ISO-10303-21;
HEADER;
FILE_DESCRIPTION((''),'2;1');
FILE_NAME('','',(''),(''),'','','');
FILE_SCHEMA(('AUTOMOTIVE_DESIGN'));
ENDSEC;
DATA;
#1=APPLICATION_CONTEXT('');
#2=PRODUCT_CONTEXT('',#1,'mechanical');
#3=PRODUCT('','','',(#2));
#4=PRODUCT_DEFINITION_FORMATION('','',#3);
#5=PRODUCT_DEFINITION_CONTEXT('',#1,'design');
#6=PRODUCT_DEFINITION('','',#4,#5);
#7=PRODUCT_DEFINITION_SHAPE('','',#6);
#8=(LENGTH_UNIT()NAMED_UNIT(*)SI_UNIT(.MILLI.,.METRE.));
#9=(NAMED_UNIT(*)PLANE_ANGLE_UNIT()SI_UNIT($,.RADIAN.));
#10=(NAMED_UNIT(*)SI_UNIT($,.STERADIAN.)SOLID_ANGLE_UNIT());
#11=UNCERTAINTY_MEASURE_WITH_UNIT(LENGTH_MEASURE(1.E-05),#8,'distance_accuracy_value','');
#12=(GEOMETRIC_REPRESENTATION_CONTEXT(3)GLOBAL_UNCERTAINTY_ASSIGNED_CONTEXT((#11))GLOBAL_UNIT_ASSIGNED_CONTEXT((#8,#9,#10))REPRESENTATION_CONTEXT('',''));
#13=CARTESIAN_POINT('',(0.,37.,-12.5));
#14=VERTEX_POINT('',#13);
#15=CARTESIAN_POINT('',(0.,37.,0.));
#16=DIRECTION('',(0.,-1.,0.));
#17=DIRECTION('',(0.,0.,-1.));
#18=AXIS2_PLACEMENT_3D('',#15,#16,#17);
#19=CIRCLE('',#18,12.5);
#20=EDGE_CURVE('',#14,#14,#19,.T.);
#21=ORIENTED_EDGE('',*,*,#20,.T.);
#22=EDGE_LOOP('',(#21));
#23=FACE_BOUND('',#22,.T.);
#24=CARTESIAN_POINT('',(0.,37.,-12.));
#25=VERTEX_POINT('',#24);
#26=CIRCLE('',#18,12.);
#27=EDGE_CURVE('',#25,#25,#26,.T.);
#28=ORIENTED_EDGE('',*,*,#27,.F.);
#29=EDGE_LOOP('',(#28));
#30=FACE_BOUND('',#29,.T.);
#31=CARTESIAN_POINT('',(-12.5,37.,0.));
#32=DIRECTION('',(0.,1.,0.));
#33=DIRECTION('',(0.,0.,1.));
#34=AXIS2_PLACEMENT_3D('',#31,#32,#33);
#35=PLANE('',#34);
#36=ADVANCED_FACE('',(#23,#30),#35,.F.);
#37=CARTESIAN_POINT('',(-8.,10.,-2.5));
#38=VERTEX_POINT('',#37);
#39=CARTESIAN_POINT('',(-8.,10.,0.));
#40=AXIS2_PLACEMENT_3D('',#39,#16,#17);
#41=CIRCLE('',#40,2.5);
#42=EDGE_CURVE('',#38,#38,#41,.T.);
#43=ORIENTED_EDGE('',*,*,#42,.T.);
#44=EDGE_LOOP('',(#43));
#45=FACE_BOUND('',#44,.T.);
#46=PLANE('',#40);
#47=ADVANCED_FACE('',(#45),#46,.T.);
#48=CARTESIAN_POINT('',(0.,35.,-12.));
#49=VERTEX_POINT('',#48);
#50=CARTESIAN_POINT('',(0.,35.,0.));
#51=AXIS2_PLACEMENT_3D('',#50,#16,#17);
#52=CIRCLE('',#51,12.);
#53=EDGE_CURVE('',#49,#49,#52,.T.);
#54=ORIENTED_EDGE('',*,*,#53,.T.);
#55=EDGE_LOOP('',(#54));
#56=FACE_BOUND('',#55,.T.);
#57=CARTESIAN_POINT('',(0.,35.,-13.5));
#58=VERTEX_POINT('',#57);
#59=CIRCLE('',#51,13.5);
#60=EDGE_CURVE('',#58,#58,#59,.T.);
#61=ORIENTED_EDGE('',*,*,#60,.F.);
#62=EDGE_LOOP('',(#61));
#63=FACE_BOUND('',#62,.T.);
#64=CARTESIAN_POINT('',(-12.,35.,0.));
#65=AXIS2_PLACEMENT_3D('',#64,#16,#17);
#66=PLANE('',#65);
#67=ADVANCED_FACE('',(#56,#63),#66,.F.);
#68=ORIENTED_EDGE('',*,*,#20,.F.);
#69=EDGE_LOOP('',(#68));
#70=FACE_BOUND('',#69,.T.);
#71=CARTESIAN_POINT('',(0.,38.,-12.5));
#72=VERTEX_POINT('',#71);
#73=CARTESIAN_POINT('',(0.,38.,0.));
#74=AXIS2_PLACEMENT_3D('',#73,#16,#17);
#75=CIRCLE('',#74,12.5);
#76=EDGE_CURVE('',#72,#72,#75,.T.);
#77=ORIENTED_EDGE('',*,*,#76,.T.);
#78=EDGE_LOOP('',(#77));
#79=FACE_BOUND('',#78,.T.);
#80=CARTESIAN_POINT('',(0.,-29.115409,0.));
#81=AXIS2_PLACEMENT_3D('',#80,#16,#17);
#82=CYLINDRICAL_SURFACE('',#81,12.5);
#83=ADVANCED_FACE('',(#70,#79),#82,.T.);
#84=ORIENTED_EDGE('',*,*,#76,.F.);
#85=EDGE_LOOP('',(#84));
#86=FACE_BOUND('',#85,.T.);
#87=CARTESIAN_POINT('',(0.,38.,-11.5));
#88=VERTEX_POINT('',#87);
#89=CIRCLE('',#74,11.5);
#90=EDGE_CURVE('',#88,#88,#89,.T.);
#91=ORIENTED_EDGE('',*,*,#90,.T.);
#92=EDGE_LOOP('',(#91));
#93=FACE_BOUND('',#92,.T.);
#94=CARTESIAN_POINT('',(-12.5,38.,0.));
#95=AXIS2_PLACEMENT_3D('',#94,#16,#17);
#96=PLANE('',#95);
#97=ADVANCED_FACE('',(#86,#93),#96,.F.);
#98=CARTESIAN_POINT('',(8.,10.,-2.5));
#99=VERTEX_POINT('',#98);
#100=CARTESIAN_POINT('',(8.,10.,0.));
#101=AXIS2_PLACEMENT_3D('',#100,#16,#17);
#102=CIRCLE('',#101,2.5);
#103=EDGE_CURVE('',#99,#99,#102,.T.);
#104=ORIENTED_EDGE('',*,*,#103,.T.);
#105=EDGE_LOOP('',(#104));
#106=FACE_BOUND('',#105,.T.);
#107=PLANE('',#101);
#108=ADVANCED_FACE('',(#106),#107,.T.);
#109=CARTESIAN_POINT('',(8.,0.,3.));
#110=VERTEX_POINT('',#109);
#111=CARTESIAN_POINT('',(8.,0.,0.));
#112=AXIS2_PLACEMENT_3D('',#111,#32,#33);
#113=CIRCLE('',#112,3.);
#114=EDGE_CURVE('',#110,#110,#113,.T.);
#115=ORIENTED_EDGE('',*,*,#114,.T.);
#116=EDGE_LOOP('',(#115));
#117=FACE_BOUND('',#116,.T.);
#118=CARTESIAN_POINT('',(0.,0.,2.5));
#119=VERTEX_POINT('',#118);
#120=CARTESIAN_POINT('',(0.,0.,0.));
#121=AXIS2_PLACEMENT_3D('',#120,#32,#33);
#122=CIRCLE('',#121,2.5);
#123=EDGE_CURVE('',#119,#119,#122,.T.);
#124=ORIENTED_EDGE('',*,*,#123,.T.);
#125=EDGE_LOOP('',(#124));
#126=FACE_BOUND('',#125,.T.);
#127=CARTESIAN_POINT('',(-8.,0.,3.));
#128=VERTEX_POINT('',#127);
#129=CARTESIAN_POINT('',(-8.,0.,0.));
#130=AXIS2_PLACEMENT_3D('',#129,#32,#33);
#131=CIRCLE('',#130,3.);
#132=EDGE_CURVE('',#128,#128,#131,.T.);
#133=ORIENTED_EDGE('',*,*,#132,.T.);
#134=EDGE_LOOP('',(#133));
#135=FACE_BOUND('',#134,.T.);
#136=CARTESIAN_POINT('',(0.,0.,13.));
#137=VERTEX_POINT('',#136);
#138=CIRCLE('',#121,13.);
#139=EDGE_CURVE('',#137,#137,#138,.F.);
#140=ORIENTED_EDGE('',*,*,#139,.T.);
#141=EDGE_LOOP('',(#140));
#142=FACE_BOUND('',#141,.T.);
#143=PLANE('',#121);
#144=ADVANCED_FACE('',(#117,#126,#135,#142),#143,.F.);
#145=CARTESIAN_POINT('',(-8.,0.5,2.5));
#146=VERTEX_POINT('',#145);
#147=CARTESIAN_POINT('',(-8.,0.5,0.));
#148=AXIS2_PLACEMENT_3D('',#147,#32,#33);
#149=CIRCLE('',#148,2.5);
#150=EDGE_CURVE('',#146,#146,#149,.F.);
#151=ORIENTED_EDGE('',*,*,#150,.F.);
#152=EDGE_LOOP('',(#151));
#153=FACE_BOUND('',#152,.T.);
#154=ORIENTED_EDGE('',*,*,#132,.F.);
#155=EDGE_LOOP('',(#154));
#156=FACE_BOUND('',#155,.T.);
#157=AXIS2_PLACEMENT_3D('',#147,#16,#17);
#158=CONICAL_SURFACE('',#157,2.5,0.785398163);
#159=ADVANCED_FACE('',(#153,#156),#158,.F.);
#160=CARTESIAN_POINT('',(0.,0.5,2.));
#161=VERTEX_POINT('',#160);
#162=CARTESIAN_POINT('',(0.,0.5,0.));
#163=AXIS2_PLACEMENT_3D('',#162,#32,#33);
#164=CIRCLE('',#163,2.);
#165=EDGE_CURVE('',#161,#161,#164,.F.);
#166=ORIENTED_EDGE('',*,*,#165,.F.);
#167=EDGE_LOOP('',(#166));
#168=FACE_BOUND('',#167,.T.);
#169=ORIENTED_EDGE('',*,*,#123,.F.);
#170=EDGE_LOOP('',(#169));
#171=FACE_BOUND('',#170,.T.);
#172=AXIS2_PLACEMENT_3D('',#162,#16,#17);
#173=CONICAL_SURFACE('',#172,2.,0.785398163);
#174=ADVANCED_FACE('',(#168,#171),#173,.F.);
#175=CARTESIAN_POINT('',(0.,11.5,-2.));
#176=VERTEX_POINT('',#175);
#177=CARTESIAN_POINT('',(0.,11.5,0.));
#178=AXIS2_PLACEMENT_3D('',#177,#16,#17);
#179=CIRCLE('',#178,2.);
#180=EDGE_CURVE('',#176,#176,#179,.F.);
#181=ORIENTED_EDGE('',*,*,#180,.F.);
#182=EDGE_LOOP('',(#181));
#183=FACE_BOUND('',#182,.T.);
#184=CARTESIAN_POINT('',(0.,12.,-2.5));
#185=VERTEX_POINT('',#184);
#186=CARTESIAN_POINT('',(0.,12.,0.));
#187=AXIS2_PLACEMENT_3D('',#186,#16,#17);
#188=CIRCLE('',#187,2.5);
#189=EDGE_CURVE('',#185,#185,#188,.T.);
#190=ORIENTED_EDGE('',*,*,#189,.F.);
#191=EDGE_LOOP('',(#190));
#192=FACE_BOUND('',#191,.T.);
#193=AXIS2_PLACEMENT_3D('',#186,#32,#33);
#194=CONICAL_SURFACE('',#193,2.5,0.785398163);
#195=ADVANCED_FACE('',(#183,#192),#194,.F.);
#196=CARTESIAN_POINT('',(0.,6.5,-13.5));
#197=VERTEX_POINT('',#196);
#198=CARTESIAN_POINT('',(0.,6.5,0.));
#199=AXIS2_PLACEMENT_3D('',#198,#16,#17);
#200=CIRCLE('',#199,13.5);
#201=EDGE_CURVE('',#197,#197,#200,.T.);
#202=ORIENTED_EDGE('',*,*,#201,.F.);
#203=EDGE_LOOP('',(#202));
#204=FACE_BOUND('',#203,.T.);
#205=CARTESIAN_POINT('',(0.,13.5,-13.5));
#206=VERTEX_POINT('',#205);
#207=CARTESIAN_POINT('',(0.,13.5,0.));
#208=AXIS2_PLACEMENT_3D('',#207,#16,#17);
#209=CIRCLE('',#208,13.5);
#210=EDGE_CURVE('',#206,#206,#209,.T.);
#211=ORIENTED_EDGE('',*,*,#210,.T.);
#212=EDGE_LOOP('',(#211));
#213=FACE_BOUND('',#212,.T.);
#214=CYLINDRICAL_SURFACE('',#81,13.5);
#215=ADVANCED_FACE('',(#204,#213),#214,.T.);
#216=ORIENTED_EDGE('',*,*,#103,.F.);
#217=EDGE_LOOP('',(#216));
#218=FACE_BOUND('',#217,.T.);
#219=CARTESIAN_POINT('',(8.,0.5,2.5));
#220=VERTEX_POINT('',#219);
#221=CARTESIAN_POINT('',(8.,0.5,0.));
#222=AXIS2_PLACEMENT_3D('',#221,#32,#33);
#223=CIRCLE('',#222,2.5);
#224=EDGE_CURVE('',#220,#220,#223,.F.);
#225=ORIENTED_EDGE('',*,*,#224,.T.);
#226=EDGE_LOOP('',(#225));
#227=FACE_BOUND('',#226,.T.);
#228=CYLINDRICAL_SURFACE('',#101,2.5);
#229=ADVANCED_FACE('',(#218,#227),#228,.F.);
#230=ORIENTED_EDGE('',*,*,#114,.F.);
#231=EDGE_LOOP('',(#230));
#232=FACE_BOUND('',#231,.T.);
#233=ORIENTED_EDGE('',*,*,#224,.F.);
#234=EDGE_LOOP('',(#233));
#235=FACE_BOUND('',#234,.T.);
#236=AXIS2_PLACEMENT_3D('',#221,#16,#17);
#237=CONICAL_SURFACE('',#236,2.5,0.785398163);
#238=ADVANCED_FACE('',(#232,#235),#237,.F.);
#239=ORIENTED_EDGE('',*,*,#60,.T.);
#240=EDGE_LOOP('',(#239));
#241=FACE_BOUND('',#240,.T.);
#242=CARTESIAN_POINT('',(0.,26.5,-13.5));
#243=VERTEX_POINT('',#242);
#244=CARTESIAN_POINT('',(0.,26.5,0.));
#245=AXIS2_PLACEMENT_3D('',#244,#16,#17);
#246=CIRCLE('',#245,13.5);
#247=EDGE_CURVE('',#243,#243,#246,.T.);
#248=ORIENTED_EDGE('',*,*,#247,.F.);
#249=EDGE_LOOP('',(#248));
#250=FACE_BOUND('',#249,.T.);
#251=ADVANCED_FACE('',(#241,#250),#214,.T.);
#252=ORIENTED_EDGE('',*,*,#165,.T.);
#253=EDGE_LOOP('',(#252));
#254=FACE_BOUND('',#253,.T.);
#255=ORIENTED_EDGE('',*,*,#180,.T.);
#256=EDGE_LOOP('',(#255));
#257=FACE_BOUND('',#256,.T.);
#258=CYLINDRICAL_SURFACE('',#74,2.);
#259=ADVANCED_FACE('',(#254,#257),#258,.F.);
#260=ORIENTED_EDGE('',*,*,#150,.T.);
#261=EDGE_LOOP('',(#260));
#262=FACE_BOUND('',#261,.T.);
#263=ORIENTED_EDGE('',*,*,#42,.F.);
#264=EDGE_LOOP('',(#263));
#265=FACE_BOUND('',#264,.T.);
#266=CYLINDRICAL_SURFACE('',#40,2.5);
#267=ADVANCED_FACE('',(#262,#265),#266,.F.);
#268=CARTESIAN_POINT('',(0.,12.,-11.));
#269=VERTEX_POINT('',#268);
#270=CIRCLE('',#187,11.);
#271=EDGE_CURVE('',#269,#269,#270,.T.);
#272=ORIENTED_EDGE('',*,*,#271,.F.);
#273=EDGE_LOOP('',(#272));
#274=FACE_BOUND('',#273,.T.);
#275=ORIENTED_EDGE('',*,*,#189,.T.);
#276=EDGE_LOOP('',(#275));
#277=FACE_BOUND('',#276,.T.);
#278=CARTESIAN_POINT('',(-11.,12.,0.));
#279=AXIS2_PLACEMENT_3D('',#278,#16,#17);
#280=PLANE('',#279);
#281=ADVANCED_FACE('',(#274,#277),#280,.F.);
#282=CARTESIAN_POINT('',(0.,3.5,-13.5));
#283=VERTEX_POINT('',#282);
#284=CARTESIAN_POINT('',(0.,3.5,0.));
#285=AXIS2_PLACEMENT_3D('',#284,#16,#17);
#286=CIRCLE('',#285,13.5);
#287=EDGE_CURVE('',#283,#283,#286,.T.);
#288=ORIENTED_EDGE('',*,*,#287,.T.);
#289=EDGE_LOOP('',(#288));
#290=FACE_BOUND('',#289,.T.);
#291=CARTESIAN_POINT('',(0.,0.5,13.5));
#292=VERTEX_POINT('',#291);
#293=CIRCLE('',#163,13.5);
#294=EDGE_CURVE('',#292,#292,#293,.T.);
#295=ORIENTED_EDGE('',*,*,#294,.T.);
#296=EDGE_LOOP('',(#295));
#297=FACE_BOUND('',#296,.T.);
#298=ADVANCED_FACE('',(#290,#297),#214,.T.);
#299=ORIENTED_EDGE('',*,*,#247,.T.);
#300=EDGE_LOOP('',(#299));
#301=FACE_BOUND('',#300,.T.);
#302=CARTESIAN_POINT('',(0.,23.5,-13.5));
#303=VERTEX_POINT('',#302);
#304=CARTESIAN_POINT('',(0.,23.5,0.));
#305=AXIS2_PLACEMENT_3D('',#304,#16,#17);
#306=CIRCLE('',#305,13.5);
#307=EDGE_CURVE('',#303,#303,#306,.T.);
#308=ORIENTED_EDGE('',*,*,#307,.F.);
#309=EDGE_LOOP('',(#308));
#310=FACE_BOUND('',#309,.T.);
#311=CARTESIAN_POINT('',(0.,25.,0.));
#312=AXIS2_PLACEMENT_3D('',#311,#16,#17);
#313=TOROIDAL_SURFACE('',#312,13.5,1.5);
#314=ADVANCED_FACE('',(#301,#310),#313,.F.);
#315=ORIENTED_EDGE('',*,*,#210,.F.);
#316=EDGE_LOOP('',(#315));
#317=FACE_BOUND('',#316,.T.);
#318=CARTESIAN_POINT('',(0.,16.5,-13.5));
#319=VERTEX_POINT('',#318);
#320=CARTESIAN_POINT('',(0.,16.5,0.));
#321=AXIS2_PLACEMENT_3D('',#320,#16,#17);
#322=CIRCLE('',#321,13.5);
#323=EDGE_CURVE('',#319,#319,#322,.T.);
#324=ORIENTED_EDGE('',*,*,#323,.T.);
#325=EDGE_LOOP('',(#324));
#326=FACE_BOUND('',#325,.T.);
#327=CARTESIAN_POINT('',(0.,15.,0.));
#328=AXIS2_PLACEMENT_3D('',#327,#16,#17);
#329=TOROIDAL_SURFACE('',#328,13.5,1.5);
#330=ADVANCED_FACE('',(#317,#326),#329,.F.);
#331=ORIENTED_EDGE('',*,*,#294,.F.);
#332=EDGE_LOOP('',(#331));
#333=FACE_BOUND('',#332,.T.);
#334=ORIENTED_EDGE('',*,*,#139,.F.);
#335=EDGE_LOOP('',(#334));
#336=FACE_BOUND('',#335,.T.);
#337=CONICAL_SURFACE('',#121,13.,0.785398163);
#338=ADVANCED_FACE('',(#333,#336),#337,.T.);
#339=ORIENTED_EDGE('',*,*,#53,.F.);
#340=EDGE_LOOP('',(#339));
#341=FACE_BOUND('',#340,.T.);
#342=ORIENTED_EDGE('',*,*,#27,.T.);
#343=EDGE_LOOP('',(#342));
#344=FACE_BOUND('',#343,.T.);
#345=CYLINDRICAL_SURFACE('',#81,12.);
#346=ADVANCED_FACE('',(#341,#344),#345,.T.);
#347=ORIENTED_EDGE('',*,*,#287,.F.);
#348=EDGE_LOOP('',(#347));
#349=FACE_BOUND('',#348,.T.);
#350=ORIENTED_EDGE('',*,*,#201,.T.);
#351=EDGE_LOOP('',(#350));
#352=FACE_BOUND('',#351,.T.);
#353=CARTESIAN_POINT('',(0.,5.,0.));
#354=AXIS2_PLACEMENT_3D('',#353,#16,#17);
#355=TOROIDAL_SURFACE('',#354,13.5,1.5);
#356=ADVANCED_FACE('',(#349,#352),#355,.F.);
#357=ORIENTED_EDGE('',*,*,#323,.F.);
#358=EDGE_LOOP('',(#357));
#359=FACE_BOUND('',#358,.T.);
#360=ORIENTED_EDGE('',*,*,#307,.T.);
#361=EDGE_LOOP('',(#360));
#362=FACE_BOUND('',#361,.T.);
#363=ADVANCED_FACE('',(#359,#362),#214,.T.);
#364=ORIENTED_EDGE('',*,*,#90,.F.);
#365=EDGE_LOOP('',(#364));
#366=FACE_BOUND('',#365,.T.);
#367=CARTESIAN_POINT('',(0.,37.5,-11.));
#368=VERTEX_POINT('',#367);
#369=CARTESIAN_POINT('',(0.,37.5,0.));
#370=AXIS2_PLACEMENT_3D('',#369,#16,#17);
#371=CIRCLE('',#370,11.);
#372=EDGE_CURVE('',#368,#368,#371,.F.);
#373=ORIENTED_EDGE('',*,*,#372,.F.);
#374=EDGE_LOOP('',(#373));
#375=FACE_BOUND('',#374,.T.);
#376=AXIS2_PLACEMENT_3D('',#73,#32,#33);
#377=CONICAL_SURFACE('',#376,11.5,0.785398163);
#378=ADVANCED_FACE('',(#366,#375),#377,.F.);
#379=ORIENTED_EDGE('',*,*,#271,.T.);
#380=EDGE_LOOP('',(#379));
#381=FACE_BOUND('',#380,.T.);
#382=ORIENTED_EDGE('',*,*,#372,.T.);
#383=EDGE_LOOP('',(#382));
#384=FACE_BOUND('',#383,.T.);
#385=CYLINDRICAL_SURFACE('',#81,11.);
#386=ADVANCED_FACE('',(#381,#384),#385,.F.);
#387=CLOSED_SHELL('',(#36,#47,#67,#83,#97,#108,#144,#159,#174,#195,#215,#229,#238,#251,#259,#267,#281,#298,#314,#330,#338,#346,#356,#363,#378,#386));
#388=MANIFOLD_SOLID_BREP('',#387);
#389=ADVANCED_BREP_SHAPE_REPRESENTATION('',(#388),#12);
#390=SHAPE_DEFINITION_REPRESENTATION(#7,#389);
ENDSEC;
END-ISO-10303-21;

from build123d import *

# Parameters (mm, degrees)
ESQUISSE2_R             = 2.5
ENL_V_MAT_EXTRU_1_DEPTH = 10
ESQUISSE4_R             = 2
ENL_V_MAT_EXTRU_3_DEPTH = 43.52646235
CHANFREIN4_SIZE         = 0.5
CHANFREIN2_SIZE         = 0.5
CHANFREIN3_SIZE         = 0.5


with BuildPart() as part:
    # Esquisse1 → Révolution1 (revolve)
    with BuildSketch(Plane.XY, mode=Mode.PRIVATE) as r_volution1_sk:
        with BuildLine():
            Line((0, 0), (-13.5, 0))
            Line((-13.5, 0), (-13.5, 3.5))
            ThreePointArc((-13.5, 3.5), (-12, 5), (-13.5, 6.5))
            Line((-13.5, 6.5), (-13.5, 13.5))
            ThreePointArc((-13.5, 13.5), (-12, 15), (-13.5, 16.5))
            Line((-13.5, 16.5), (-13.5, 23.5))
            ThreePointArc((-13.5, 23.5), (-12, 25), (-13.5, 26.5))
            Line((-13.5, 26.5), (-13.5, 35))
            Line((-13.5, 35), (-12.5, 35))
            Line((-12.5, 35), (-12, 35))
            Line((-12, 35), (-12, 37))
            Line((-12, 37), (-12.5, 37))
            Line((-12.5, 37), (-12.5, 38))
            Line((-12.5, 38), (-11, 38))
            Line((-11, 38), (-11, 33))
            Line((-11, 33), (-11, 12))
            Line((-11, 12), (0, 12))
            Line((0, 12), (0, 3))
            Line((0, 3), (0, 0))
        make_face()
    revolve(r_volution1_sk.sketch.rotate(Axis((0, -29.115408637, 0), (0, 1, 0)), 270), axis=Axis((0, -29.115408637, 0), (0, 1, 0)))

    # Esquisse2 → Enlèv. mat.-Extru.1 (cut)
    with BuildSketch(Plane.XZ):
        with Locations(Location((8, 0, 0), (0, 0, 270))):
            Circle(ESQUISSE2_R)
        with Locations(Location((-8, 0, 0), (0, 0, 270))):
            Circle(ESQUISSE2_R)
    extrude(amount=-ENL_V_MAT_EXTRU_1_DEPTH, mode=Mode.SUBTRACT)

    # Esquisse4 → Enlèv. mat.-Extru.3 (cut, through all)
    with BuildSketch(Plane.XZ):
        with Locations(Location((0, 0, 0), (0, 0, 270))):
            Circle(ESQUISSE4_R)
    extrude(amount=-ENL_V_MAT_EXTRU_3_DEPTH, mode=Mode.SUBTRACT)

    # Chanfrein4
    chanfrein4_edges = [part.edges().sort_by_distance(p)[0] for p in [
        (0, 12, 2),
        (0, 0, 2),
    ]]
    chamfer(chanfrein4_edges, length=CHANFREIN4_SIZE)

    # Chanfrein2
    chanfrein2_edges = [part.edges().sort_by_distance(p)[0] for p in [
        (8, 0, 2.5),
        (-8, 0, 2.5),
    ]]
    chamfer(chanfrein2_edges, length=CHANFREIN2_SIZE)

    # Chanfrein3
    chanfrein3_edges = [part.edges().sort_by_distance(p)[0] for p in [
        (0, 38, 11),
        (0, 0, 13.5),
    ]]
    chamfer(chanfrein3_edges, length=CHANFREIN3_SIZE)


solid = part.part
